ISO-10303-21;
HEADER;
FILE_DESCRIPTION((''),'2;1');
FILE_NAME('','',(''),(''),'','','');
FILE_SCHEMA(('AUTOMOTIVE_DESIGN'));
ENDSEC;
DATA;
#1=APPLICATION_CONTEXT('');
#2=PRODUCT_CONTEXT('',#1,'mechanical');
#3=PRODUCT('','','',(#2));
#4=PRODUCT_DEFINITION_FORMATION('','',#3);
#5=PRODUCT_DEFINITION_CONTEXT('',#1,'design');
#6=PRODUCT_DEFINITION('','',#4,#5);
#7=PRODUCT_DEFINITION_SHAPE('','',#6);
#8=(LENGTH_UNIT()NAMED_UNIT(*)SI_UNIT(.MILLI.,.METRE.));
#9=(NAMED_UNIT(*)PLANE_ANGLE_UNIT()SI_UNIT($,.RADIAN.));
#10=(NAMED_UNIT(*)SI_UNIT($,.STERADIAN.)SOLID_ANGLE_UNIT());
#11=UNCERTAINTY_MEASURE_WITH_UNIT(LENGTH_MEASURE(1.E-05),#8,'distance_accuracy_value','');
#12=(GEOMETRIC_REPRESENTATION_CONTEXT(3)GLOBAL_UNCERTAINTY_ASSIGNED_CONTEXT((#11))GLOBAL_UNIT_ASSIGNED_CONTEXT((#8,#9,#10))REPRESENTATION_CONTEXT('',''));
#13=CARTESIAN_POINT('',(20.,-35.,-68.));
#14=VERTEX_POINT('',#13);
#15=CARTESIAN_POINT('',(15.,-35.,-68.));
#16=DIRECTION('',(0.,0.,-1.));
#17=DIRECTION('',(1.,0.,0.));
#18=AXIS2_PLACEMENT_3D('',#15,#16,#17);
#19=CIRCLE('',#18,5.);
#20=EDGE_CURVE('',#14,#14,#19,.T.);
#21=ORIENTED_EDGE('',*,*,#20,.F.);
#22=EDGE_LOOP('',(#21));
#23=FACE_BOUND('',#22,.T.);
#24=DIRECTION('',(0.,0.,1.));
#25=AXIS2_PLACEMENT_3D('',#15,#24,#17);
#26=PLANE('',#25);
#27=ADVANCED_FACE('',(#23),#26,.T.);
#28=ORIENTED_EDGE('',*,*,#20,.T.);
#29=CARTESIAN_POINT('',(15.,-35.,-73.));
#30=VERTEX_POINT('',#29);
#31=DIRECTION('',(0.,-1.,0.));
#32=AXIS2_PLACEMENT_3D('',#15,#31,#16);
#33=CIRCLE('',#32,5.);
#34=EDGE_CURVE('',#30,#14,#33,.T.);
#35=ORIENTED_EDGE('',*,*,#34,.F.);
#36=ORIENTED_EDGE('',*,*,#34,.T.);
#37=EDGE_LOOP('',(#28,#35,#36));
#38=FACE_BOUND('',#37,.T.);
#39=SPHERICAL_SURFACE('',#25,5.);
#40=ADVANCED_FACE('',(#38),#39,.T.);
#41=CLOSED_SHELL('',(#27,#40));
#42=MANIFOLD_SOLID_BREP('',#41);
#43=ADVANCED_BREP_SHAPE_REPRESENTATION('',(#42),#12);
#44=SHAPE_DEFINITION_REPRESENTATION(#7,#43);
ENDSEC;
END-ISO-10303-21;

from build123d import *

# Parameters (mm, degrees)
BOX002_W     = 10
BOX002_H     = 10
BOX002_DEPTH = 10


with BuildPart() as cubo002:
    # Box002 → Box002 (new body)
    with BuildSketch(Plane(origin=(-5, -5, 0), x_dir=(1, 0, 0), z_dir=(0, 0, 1))):
        with Locations((5, 5)):
            Rectangle(BOX002_W, BOX002_H)
    extrude(amount=BOX002_DEPTH)


with BuildPart() as cut:
    # Sphere → Sphere (revolve)
    with BuildSketch(Plane.XZ):
        with BuildLine():
            ThreePointArc((0, -5), (5, 0), (0, 5))
            Line((0, 5), (0, -5))
        make_face()
    revolve(axis=Axis((0, 0, 0), (0, 0, 1)))

    # Cut: cut Cubo002
    add(cubo002.part, mode=Mode.SUBTRACT)


with BuildPart() as cut_1:
    # Cut placement: moved
    add(cut.part.moved(Location((15, -35, -68))))


solid = cut_1.part
